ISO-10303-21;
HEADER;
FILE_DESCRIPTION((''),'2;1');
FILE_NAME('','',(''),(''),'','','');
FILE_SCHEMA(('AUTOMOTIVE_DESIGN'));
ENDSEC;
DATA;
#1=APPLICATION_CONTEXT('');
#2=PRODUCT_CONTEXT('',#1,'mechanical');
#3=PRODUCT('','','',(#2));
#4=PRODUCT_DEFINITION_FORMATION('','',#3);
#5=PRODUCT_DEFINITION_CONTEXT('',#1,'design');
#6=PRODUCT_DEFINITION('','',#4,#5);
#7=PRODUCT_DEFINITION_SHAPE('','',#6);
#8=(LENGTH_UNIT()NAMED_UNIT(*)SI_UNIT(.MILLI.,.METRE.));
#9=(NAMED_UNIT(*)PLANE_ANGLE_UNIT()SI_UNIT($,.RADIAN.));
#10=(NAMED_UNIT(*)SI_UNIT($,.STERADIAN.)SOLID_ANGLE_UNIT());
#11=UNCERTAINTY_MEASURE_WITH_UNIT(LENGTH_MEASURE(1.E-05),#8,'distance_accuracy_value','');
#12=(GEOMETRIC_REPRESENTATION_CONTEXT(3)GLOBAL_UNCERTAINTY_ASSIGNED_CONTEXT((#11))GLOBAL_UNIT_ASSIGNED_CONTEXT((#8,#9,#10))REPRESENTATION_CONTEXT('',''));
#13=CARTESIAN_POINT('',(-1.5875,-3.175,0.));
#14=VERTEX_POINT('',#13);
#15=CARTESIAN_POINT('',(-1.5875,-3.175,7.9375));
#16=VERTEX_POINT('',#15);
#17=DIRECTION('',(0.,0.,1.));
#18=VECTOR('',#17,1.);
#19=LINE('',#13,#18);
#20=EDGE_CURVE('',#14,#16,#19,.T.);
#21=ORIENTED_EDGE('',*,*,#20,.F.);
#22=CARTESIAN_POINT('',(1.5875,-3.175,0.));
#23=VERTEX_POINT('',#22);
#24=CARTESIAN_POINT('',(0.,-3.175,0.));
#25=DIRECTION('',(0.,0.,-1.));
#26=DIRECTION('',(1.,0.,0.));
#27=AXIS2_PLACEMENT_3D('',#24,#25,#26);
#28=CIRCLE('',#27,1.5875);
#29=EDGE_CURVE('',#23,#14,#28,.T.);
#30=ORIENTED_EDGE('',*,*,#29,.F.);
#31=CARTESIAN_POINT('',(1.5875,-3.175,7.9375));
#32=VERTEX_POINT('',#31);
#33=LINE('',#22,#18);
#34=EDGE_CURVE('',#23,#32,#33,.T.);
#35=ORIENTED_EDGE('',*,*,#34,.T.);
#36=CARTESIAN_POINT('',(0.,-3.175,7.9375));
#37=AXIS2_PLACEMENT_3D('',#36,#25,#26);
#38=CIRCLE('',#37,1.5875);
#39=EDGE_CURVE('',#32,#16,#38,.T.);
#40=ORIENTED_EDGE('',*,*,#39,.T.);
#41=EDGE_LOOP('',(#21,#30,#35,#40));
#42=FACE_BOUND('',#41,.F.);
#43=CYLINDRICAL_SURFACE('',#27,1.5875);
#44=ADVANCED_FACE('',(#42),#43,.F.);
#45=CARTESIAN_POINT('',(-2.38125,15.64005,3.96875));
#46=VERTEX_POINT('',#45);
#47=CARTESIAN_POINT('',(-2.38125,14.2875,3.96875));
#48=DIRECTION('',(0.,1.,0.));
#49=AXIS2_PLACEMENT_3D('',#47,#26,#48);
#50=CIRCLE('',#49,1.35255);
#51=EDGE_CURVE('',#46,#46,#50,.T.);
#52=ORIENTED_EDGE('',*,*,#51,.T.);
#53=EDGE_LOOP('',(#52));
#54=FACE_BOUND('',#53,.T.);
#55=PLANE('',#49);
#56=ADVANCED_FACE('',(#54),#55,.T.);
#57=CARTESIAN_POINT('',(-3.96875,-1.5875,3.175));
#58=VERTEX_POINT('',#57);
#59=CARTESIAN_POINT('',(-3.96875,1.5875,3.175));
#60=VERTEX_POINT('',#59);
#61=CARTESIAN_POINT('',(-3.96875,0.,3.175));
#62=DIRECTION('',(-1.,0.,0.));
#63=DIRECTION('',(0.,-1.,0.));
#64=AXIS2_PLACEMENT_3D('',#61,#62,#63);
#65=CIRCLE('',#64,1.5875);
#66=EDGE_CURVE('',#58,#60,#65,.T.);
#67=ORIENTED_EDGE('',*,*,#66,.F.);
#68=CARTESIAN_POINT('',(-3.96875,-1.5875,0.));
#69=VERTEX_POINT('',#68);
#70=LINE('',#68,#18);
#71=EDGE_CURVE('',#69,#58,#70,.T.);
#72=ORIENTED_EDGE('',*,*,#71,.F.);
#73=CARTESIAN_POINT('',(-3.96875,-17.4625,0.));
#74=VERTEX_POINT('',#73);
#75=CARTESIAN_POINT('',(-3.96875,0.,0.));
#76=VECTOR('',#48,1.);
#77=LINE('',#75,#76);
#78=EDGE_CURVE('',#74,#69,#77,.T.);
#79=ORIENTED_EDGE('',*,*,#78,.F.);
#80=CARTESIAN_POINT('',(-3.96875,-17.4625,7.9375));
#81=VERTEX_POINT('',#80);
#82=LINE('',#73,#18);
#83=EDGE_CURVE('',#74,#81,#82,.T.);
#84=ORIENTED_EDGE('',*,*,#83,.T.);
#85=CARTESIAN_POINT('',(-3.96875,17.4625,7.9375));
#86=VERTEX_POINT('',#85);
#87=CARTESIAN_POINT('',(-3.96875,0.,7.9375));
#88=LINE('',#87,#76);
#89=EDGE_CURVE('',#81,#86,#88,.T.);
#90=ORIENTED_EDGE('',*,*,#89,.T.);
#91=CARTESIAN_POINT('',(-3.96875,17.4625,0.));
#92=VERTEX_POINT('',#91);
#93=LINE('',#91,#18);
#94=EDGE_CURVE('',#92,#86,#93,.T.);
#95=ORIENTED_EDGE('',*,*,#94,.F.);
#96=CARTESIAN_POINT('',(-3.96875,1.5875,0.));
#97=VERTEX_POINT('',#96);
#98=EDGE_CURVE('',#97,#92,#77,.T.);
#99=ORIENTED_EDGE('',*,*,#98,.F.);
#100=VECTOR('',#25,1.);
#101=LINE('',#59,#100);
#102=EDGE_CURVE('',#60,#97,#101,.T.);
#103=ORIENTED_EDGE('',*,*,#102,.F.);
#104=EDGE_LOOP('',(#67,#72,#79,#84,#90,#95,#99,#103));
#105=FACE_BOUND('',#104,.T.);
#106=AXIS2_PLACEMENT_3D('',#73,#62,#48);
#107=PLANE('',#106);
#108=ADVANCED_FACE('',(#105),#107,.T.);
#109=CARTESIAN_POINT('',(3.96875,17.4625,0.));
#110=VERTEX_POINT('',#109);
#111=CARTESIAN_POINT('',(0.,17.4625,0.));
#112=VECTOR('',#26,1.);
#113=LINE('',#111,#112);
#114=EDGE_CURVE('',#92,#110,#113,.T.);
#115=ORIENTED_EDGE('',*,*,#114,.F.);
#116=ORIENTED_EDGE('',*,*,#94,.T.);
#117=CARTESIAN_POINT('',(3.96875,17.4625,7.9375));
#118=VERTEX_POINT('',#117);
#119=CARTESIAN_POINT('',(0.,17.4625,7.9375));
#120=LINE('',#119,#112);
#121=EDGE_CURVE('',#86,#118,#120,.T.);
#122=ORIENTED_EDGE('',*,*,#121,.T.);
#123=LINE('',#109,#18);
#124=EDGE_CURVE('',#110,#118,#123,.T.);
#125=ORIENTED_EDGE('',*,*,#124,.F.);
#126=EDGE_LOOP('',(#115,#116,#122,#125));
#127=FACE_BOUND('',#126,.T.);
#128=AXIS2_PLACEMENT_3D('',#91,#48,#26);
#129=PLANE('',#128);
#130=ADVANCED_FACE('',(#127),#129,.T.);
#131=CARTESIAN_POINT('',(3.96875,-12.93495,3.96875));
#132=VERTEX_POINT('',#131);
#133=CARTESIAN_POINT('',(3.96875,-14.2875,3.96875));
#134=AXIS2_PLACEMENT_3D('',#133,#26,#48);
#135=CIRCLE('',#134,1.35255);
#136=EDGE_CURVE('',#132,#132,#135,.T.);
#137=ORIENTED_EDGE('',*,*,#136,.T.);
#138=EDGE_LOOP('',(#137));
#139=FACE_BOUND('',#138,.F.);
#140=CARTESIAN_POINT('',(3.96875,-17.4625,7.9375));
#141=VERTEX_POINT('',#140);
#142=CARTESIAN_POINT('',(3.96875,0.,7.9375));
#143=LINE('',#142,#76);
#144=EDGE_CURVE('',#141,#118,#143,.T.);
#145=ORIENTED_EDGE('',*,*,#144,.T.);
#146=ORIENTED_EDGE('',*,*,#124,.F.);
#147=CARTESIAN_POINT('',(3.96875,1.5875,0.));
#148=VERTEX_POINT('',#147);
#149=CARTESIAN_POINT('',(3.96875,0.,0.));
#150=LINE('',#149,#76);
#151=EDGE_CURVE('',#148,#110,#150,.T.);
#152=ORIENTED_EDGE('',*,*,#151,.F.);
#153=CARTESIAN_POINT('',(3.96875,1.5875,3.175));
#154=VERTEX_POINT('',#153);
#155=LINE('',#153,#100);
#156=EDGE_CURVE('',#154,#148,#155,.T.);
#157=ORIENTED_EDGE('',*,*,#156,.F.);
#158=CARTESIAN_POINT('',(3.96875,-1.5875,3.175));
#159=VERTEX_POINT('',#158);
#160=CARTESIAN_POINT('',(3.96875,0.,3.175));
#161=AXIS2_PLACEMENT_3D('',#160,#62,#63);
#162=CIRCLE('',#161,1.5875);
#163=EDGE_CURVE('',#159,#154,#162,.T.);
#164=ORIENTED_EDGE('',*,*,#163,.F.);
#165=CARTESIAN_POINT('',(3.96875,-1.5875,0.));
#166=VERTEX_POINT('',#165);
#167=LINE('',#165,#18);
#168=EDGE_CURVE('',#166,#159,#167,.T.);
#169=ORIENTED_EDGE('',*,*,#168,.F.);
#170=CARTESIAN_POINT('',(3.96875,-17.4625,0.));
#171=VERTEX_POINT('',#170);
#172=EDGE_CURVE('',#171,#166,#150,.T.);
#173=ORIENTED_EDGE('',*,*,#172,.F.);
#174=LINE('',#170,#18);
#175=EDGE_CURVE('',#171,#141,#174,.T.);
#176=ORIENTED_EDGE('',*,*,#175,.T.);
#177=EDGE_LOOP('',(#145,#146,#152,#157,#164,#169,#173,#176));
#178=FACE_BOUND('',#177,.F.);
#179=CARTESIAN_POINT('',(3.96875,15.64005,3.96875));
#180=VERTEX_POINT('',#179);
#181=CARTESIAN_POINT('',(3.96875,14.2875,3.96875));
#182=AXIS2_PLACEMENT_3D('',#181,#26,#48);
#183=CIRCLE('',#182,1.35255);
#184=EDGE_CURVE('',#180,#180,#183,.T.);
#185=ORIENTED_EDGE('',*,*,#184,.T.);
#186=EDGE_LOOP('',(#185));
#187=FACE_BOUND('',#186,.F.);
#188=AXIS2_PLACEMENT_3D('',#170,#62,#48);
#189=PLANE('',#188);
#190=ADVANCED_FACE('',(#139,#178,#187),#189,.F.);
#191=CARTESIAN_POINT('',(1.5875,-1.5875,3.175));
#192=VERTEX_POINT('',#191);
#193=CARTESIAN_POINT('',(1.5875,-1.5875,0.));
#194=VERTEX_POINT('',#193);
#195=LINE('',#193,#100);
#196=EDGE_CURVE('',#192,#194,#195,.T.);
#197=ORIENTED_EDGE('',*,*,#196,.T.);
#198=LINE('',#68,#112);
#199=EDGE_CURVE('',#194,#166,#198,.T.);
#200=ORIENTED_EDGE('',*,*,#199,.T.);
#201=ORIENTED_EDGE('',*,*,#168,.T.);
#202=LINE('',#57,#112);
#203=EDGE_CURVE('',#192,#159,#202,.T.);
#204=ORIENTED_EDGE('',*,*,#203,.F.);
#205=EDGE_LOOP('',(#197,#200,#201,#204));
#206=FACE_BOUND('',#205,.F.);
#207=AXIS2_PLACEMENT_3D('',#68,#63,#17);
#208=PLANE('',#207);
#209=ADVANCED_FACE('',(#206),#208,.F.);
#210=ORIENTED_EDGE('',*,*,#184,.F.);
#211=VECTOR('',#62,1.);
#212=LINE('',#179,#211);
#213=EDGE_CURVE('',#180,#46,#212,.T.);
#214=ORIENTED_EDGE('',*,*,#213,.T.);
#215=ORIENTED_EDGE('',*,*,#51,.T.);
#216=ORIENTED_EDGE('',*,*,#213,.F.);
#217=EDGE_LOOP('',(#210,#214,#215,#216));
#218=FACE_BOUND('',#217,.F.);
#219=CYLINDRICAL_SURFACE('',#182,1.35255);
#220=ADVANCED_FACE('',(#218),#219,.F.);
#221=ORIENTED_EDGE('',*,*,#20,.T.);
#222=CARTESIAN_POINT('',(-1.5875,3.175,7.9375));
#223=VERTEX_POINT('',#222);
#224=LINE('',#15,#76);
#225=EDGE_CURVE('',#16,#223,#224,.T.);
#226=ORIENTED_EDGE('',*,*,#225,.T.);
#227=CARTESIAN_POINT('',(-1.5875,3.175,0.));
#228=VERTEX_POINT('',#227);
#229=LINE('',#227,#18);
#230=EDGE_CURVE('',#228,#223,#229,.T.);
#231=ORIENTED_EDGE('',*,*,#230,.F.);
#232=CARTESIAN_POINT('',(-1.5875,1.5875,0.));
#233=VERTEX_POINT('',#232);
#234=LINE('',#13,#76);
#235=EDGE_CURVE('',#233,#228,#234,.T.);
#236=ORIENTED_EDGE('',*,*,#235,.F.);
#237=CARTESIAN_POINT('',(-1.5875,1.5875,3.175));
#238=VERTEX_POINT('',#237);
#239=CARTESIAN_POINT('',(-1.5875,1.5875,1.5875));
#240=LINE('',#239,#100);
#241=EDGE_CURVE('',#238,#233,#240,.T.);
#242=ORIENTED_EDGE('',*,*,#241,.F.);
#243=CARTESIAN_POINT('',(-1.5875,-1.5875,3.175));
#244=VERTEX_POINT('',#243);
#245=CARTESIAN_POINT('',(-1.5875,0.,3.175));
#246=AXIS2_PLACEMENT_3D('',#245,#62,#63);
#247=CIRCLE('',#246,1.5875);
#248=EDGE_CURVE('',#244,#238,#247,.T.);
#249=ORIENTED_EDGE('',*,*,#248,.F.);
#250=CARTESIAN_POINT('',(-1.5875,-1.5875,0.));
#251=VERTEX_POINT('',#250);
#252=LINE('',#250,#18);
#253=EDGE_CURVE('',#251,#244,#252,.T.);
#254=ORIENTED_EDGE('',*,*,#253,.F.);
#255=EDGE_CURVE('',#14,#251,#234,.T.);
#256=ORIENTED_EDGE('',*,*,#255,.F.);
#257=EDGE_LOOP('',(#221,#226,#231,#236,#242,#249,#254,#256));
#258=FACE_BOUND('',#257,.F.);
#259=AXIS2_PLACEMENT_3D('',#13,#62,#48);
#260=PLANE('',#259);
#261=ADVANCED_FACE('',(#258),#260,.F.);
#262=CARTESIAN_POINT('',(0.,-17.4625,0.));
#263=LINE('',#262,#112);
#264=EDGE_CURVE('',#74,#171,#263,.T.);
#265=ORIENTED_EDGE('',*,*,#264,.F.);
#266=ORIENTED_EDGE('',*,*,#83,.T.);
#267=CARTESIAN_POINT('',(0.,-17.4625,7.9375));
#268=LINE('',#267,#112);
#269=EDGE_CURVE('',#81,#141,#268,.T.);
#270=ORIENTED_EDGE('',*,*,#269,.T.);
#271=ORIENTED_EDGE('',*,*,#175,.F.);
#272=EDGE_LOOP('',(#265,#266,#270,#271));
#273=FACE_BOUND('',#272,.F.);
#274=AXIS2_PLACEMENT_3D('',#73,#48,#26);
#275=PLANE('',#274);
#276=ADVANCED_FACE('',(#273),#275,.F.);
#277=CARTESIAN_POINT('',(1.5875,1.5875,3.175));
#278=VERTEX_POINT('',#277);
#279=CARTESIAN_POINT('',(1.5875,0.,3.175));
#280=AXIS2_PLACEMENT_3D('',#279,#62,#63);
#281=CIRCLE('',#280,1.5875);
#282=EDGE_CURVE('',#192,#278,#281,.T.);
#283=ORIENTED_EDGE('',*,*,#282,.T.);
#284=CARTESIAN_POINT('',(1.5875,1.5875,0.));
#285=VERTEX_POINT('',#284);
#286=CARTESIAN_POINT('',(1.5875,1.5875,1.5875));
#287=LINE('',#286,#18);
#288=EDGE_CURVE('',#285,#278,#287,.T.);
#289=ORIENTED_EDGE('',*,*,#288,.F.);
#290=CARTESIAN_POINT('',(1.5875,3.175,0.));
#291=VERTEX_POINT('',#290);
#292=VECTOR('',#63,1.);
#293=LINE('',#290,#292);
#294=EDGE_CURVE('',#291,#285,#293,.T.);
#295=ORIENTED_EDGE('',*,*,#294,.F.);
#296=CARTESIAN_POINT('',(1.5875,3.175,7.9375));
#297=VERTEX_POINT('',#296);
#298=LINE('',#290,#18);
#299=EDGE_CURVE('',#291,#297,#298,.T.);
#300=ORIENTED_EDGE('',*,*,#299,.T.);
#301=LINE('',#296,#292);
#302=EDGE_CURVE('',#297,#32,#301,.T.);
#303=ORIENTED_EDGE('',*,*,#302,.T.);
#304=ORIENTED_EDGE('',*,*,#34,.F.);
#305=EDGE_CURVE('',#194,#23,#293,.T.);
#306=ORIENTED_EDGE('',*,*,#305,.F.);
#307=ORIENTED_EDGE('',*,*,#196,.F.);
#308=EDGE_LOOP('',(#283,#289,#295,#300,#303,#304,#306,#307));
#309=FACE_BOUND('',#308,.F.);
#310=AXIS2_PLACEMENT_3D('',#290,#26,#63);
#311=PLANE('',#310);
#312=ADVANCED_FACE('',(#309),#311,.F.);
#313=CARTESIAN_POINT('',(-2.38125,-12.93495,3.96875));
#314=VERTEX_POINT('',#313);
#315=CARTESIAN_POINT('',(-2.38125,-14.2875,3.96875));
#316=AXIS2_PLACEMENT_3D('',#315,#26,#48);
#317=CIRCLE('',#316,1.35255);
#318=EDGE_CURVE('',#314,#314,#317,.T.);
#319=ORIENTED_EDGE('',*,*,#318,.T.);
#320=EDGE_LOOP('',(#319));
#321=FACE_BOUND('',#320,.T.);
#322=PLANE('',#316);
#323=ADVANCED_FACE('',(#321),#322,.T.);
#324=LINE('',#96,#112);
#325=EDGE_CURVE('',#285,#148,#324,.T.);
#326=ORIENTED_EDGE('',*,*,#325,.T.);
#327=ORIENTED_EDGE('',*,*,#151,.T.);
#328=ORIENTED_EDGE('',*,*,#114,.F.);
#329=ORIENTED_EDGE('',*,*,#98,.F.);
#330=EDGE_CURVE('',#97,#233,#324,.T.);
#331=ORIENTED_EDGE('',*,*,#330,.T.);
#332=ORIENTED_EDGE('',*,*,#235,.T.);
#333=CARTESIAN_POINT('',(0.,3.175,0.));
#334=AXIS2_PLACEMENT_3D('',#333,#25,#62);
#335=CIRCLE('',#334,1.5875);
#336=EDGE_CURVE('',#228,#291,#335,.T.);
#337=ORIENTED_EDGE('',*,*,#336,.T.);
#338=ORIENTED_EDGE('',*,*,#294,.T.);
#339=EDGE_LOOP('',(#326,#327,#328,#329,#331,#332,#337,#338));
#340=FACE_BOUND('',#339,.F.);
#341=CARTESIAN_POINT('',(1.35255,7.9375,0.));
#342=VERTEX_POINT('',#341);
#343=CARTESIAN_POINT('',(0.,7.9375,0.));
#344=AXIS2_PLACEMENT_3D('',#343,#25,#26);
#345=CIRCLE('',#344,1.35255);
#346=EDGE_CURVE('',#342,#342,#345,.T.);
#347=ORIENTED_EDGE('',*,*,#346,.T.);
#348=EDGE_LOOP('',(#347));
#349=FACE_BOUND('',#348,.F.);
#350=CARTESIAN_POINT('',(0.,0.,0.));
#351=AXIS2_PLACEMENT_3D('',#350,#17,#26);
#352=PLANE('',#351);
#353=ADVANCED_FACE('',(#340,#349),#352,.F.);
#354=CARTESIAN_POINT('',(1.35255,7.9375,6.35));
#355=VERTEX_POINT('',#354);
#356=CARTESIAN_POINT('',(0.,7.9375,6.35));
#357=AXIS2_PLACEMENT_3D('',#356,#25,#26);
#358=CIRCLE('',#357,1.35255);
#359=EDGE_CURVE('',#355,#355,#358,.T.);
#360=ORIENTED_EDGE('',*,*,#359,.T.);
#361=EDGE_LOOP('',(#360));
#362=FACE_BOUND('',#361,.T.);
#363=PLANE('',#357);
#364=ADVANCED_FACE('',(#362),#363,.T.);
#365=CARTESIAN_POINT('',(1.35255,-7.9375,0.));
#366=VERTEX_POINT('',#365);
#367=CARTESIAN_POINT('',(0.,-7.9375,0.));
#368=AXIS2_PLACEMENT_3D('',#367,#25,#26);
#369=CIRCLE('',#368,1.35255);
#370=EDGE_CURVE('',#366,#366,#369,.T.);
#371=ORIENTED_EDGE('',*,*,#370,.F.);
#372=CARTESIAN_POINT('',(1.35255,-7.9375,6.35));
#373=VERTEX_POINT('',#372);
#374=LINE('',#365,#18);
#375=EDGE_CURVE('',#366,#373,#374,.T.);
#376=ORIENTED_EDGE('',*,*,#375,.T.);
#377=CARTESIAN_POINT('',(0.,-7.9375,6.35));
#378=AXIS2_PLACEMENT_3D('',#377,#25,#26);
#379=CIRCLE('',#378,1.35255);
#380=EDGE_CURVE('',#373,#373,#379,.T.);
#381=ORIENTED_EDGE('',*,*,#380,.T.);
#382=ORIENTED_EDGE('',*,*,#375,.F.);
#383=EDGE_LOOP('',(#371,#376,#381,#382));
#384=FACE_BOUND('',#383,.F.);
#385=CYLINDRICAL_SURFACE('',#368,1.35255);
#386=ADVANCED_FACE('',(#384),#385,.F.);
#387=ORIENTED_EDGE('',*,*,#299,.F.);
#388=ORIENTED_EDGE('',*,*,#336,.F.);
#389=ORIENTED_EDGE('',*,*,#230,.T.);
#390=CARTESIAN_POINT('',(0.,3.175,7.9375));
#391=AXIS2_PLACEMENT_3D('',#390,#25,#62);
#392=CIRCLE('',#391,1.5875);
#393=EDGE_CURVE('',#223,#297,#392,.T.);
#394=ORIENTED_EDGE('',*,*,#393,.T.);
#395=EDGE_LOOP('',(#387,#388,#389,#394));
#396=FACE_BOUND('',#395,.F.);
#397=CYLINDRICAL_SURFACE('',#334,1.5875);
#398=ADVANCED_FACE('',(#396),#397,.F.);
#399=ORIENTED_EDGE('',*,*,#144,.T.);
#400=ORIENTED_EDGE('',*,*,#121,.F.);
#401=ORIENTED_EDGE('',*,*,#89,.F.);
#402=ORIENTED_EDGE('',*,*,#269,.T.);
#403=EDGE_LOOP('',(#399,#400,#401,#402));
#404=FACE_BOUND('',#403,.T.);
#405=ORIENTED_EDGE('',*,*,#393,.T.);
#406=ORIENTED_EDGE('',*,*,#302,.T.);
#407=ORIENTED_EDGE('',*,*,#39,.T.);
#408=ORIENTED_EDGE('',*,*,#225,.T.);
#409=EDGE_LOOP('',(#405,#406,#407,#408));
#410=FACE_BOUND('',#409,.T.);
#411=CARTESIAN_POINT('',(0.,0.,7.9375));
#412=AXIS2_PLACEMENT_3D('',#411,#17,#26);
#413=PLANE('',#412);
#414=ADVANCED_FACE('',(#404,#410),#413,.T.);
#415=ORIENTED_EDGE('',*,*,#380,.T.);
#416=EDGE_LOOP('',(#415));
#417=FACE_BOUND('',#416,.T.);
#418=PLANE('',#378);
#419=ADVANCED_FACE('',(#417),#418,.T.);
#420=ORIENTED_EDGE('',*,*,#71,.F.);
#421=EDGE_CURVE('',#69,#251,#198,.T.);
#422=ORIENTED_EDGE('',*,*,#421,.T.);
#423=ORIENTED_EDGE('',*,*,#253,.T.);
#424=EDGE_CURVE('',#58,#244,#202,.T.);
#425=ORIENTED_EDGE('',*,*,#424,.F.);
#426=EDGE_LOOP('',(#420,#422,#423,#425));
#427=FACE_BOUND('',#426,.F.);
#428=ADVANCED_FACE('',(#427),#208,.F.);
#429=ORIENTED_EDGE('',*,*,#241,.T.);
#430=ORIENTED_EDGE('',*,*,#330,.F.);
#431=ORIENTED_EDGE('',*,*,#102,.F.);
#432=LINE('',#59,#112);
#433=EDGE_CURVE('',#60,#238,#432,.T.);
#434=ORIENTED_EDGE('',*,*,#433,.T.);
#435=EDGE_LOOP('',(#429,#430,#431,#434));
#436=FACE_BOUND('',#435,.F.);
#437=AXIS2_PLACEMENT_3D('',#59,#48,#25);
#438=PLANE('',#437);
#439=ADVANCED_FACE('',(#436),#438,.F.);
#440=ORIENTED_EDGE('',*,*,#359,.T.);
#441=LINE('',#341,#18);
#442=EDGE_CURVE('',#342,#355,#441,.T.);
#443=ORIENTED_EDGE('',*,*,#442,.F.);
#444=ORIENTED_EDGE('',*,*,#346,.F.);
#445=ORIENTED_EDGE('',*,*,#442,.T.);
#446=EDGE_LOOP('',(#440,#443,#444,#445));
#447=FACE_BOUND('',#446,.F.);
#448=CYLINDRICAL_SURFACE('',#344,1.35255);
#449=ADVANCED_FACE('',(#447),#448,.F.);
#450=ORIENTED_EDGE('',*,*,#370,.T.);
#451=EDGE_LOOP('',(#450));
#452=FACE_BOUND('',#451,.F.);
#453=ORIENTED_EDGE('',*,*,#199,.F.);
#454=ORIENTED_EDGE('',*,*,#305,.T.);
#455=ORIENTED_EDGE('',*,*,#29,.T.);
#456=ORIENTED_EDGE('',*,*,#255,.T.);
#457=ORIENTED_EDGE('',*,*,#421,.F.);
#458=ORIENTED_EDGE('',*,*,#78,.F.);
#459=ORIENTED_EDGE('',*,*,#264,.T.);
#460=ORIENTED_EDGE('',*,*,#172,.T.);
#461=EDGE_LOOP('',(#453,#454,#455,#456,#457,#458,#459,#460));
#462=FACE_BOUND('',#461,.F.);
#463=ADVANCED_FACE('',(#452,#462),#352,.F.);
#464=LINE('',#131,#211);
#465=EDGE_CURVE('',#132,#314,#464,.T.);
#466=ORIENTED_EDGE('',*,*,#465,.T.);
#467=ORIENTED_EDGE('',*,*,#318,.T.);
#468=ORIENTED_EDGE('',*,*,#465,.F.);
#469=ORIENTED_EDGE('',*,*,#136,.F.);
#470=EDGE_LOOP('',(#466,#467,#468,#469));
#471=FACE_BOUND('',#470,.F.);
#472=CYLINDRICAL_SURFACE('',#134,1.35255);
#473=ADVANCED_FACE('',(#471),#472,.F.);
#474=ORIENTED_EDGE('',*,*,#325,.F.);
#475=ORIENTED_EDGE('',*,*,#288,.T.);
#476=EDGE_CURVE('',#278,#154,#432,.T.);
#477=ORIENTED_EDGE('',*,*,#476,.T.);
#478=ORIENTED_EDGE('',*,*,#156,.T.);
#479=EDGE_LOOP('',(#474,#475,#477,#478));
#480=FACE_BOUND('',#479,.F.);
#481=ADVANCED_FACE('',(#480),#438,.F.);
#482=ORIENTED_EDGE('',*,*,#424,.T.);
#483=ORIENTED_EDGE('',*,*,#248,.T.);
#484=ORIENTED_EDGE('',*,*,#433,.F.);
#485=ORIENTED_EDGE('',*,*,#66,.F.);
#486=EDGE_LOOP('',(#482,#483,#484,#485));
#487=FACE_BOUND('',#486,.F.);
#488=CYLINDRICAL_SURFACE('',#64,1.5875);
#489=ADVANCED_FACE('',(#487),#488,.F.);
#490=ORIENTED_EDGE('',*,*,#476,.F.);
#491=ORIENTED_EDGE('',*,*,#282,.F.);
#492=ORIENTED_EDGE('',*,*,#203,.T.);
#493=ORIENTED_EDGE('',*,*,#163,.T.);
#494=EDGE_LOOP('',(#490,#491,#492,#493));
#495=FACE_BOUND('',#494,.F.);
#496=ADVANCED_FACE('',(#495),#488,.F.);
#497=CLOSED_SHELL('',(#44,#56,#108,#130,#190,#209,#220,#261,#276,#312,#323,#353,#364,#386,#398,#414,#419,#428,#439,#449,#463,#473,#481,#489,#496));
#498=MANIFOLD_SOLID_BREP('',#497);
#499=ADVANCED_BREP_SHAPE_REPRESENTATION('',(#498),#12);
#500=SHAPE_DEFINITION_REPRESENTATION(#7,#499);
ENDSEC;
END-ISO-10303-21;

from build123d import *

# Parameters (mm, degrees)
F0_W     = 7.9375
F0_H     = 34.925
F1_DEPTH = 7.9375
F2_R     = 1.35255
F3_DEPTH = 6.35
F4_R     = 1.35255
F5_DEPTH = 6.35
F7_DEPTH = 7.9375


with BuildPart() as f1:
    # F0 (on Top) → F1 (new body)
    with BuildSketch(Plane.XY):
        Rectangle(F0_W, F0_H)
        with BuildLine():
            Line((1.5875, 3.175), (1.5875, -3.175))
            ThreePointArc((1.5875, -3.175), (0, -4.7625), (-1.5875, -3.175))
            Line((-1.5875, -3.175), (-1.5875, 3.175))
            ThreePointArc((-1.5875, 3.175), (0, 4.7625), (1.5875, 3.175))
        make_face(mode=Mode.SUBTRACT)
    extrude(amount=F1_DEPTH)

    # F2 (on face) → F3 (cut)
    with BuildSketch(Plane(origin=(0, 0, 0), x_dir=(1, 0, 0), z_dir=(0, 0, -1))):
        with Locations((0, -7.9375)):
            Circle(F2_R)
        with Locations((0, 7.9375)):
            Circle(F2_R)
    extrude(amount=-F3_DEPTH, mode=Mode.SUBTRACT)

    # F4 (on face) → F5 (cut)
    with BuildSketch(Plane.YZ.offset(3.96875)):
        with Locations((14.2875, 3.96875)):
            Circle(F4_R)
        with Locations((-14.2875, 3.96875)):
            Circle(F4_R)
    extrude(amount=-F5_DEPTH, mode=Mode.SUBTRACT)

    # F6 (on face) → F7 (cut, through all)
    with BuildSketch(Plane(origin=(-3.96875, 0, 0), x_dir=(0, -1, 0), z_dir=(-1, 0, 0))):
        with BuildLine():
            Line((-1.5875, 3.175), (-1.5875, 0))
            Line((-1.5875, 0), (1.5875, 0))
            Line((1.5875, 0), (1.5875, 3.175))
            ThreePointArc((1.5875, 3.175), (0, 4.7625), (-1.5875, 3.175))
        make_face()
    extrude(amount=-F7_DEPTH, mode=Mode.SUBTRACT)


solid = f1.part
